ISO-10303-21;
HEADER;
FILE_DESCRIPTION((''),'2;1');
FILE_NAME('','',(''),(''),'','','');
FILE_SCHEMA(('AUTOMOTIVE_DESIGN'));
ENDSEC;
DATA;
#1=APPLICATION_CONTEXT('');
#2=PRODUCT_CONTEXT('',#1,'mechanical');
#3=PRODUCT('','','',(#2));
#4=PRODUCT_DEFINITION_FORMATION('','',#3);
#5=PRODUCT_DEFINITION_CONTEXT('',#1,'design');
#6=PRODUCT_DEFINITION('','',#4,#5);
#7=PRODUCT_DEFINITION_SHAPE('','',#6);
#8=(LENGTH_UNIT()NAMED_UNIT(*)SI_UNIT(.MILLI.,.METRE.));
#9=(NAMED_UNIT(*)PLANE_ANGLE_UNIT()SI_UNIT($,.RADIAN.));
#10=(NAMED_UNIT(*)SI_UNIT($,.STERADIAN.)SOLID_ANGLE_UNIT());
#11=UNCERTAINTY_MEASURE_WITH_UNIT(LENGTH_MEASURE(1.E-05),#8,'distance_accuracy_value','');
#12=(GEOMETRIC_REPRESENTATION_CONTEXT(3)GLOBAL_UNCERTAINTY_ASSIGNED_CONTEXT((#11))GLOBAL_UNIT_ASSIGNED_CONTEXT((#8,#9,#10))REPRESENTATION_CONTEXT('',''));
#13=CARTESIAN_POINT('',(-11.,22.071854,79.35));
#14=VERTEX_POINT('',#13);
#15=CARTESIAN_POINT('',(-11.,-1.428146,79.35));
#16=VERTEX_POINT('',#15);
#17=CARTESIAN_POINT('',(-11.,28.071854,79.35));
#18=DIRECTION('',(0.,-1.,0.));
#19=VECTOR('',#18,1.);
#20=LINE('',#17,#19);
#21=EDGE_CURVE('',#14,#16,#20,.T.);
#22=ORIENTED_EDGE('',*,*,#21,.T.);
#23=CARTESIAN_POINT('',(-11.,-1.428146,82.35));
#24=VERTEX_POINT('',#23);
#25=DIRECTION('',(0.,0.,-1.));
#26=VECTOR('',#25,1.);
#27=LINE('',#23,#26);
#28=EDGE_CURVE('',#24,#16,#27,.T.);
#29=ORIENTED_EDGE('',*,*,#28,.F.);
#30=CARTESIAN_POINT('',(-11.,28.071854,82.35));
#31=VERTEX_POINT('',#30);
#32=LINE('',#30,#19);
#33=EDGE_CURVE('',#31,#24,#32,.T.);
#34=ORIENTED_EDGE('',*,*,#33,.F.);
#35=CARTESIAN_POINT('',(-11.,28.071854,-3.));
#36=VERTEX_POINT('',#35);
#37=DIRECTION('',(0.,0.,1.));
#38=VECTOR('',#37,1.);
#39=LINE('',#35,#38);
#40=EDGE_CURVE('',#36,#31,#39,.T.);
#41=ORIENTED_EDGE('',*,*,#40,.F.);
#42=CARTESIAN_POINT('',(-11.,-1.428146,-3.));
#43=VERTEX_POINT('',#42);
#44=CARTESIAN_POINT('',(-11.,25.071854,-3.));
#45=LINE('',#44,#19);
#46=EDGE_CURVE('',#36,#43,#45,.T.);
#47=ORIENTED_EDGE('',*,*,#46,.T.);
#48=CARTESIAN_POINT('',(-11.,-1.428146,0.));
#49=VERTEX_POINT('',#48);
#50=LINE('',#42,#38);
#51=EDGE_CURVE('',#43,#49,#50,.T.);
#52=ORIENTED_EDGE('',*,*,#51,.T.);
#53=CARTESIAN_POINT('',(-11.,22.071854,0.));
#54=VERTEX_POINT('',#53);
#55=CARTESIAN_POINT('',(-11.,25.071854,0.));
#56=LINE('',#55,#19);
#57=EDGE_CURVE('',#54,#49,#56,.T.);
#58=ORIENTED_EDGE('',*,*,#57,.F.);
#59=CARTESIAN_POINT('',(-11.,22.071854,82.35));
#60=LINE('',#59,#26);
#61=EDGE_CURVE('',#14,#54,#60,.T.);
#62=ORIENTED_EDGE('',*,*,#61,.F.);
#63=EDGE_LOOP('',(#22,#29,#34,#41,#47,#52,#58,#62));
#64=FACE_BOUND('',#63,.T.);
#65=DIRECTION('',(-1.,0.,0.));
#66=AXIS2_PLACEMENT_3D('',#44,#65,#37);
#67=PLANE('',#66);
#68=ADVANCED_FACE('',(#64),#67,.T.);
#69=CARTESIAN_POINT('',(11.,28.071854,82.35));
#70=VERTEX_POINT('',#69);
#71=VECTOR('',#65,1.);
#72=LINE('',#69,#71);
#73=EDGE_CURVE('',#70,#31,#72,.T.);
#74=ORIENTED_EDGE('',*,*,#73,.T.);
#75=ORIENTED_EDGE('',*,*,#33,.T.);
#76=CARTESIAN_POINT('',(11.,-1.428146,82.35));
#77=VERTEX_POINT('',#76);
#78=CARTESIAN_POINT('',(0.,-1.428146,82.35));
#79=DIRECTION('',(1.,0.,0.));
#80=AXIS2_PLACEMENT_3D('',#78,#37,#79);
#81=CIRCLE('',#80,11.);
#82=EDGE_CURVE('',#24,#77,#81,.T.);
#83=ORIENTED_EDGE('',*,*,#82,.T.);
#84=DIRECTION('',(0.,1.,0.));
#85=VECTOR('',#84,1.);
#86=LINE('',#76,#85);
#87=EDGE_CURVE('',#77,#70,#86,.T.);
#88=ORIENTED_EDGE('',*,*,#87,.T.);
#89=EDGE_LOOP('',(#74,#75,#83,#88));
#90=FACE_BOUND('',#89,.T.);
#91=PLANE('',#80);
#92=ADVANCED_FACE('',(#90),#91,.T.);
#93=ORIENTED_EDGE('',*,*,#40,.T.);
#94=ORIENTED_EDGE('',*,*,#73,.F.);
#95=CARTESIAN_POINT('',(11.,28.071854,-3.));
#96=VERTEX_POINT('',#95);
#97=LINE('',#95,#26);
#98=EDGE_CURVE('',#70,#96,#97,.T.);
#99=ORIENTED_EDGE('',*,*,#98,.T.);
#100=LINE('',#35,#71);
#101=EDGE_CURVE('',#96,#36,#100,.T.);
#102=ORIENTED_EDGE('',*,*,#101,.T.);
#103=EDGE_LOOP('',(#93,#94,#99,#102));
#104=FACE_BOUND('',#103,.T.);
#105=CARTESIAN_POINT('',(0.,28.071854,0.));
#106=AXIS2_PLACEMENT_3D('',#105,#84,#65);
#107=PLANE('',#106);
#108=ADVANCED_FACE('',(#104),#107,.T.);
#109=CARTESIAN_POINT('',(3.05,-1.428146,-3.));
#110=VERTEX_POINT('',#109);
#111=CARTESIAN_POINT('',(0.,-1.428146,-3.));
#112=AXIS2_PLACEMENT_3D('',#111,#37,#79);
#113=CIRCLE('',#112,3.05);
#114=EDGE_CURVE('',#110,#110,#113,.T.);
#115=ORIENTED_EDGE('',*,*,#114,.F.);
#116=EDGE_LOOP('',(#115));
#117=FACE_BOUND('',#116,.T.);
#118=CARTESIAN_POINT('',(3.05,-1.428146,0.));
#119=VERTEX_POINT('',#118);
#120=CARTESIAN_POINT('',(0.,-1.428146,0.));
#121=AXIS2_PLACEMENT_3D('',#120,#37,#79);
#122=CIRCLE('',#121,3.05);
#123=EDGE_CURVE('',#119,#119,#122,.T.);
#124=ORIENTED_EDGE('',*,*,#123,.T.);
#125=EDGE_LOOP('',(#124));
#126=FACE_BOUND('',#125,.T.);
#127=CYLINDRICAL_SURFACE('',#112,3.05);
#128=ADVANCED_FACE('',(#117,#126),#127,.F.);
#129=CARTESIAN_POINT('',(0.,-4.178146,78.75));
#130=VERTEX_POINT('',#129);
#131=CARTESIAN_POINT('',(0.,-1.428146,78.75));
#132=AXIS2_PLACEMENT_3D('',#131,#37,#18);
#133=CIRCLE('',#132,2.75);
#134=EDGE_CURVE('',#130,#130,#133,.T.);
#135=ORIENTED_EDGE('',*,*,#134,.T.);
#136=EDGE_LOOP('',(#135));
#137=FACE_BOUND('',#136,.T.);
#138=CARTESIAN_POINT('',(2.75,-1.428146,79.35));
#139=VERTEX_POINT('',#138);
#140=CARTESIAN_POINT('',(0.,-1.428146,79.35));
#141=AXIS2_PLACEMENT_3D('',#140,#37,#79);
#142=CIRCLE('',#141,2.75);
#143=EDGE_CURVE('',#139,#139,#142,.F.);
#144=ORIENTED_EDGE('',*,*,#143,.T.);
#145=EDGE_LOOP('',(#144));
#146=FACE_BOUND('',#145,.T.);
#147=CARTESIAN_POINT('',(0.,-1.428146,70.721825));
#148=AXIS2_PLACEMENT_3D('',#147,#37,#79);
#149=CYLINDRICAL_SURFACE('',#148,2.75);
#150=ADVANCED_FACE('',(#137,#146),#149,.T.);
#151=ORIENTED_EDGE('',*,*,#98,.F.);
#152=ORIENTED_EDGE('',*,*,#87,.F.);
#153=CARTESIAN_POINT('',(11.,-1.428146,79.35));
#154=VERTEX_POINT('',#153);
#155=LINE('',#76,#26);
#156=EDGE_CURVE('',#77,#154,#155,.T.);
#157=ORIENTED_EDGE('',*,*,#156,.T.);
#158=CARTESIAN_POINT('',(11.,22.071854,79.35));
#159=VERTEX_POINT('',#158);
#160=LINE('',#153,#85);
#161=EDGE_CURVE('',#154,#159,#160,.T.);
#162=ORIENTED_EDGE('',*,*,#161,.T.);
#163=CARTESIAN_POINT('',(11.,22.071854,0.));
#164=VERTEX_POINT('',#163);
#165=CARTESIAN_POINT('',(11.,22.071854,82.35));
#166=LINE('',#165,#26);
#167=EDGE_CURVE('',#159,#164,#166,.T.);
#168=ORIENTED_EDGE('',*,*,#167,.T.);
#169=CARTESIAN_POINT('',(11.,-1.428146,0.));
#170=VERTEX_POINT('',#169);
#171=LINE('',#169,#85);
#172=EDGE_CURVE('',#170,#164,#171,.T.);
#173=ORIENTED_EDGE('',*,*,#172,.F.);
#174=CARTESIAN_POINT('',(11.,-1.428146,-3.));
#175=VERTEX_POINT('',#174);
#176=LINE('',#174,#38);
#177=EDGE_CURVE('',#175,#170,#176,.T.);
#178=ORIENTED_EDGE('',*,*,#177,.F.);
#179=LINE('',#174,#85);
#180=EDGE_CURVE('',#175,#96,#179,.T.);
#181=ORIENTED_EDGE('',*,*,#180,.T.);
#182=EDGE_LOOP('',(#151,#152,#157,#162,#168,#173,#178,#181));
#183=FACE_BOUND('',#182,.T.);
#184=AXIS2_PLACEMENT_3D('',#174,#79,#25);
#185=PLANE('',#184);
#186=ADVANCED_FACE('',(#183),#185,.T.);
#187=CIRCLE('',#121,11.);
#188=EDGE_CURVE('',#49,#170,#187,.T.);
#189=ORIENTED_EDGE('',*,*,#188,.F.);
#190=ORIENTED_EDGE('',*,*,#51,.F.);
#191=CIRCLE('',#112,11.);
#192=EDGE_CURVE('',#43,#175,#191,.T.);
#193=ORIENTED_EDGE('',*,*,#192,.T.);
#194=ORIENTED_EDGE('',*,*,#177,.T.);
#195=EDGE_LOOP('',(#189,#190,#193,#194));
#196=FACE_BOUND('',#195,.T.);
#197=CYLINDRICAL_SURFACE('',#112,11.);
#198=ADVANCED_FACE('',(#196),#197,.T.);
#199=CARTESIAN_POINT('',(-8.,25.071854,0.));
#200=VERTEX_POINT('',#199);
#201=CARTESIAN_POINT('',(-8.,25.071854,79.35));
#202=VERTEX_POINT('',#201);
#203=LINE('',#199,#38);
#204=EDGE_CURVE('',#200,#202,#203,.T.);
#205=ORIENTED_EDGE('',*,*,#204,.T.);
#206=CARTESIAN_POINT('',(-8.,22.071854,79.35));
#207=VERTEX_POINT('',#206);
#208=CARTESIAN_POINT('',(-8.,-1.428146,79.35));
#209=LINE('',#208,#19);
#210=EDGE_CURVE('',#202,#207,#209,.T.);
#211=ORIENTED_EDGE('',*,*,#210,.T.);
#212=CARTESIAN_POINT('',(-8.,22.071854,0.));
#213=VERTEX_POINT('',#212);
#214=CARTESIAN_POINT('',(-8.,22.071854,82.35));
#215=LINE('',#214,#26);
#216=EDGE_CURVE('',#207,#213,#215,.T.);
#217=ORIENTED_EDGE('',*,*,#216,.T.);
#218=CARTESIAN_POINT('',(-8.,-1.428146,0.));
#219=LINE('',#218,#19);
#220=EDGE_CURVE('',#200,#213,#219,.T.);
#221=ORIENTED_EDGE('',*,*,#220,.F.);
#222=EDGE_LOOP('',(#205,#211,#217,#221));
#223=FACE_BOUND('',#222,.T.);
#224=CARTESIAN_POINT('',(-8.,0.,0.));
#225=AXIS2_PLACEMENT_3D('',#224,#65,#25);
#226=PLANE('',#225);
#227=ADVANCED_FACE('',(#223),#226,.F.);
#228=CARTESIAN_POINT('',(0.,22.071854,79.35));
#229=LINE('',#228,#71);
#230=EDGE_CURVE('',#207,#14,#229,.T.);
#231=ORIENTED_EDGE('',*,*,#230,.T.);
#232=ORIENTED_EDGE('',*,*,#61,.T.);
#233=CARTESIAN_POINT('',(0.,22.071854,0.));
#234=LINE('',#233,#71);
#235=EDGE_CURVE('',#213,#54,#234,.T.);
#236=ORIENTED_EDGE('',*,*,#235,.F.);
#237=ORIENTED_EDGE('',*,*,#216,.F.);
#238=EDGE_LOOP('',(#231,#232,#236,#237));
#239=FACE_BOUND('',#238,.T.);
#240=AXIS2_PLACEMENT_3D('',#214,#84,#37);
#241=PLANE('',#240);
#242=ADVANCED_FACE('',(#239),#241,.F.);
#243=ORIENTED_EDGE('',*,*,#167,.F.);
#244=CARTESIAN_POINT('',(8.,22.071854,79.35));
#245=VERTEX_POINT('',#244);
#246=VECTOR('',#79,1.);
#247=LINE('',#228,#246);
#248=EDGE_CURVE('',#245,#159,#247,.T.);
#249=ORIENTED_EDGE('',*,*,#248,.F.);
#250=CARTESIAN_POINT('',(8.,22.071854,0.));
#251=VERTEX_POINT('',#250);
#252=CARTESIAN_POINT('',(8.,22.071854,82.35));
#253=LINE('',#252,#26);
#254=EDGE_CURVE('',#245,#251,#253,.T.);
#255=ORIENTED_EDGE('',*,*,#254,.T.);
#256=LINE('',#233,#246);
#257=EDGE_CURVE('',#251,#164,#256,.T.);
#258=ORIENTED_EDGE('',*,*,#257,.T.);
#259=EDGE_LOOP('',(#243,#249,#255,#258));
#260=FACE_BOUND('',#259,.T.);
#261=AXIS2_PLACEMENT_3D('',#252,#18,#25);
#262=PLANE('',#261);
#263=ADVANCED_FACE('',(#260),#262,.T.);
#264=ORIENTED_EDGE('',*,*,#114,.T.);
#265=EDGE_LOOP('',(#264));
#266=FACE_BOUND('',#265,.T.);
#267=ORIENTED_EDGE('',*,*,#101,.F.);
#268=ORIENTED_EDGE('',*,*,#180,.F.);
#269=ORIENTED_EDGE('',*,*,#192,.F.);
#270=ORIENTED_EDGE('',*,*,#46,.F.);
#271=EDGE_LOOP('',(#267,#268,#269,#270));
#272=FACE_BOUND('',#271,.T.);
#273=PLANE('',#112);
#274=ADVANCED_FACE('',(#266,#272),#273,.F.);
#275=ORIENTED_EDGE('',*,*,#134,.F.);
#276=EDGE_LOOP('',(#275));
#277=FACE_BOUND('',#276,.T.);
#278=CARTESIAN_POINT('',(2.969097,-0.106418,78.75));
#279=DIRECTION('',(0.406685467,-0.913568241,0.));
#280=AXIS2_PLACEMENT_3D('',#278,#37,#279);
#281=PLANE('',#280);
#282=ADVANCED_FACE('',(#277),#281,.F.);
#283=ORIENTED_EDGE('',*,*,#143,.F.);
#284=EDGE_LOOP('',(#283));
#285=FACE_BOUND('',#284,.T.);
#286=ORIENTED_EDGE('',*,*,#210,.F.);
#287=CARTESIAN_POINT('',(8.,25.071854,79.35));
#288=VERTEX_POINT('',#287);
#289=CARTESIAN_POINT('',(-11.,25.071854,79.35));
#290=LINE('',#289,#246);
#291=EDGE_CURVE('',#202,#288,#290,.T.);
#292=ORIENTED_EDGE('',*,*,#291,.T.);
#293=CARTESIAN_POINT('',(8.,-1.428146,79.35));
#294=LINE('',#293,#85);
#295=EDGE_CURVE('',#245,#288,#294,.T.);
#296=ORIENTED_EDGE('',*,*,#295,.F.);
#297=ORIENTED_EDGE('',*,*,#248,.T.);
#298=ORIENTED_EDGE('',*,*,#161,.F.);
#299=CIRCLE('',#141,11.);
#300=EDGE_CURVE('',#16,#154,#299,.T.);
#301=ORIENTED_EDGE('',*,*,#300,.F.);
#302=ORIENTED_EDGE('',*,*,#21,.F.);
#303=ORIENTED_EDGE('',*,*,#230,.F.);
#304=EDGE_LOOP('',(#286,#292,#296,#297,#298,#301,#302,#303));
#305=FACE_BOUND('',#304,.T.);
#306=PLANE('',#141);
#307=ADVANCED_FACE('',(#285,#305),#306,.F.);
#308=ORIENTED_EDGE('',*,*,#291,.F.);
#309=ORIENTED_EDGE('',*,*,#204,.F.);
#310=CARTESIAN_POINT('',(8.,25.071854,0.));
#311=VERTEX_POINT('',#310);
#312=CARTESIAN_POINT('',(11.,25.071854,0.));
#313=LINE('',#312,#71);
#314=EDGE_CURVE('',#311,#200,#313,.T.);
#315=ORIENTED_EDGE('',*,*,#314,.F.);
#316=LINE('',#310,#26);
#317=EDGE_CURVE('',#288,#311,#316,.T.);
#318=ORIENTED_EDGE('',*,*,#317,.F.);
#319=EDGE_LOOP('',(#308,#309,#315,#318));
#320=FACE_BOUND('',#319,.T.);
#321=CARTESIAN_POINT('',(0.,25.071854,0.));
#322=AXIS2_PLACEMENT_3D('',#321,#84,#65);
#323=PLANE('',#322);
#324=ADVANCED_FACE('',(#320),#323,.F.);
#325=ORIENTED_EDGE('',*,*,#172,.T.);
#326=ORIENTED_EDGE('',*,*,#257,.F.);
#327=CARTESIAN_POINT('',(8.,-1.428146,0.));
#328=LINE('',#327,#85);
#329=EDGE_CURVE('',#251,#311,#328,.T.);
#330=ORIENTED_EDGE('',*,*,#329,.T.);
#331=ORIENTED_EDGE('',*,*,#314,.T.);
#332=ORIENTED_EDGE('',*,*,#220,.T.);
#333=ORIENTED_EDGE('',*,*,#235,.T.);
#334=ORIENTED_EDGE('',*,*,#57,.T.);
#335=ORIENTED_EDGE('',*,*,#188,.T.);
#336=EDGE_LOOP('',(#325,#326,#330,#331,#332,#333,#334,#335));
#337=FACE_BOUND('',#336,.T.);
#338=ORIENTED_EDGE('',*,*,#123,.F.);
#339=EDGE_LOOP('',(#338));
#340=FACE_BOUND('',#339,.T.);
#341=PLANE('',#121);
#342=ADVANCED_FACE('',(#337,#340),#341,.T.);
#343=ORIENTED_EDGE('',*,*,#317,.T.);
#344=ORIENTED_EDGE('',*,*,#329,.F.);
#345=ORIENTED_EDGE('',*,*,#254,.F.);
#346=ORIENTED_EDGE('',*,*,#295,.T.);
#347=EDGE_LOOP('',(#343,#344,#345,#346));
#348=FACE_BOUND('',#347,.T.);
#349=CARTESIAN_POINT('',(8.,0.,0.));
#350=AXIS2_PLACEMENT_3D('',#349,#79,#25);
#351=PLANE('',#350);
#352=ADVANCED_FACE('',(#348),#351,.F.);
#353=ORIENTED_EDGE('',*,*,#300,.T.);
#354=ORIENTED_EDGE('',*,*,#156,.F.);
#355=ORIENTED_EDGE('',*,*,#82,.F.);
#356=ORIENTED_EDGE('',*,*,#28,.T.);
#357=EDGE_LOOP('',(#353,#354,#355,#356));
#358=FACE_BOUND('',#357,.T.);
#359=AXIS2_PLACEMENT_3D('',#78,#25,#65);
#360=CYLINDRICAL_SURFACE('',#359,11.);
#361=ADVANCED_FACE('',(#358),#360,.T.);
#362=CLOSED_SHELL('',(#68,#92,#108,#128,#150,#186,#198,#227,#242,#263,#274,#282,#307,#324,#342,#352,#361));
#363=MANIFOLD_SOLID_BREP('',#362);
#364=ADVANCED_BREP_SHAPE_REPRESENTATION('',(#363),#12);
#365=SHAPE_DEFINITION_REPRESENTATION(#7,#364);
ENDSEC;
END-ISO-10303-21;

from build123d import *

# Parameters (mm, degrees)
ESBO_O1_R                = 3.05
RESSALTO_EXTRUS_O1_DEPTH = 3
ESBO_O2_W                = 22
ESBO_O2_H                = 82.35
RESSALTO_EXTRUS_O2_DEPTH = 3
RESSALTO_EXTRUS_O3_START = 3
RESSALTO_EXTRUS_O3_DEPTH = 3
ESBO_O6_W                = 85.35
ESBO_O6_H                = 6
RESSALTO_EXTRUS_O5_DEPTH = 3
ESBO_O7_R                = 2.75
RESSALTO_EXTRUS_O6_DEPTH = 0.6


with BuildPart() as part:
    # Esboço1 → Ressalto-extrusão1 (new body)
    with BuildSketch(Plane.XY):
        with BuildLine():
            Line((11, -1.428145739), (11, 25.071854261))
            Line((11, 25.071854261), (-11, 25.071854261))
            Line((-11, 25.071854261), (-11, -1.428145739))
            ThreePointArc((-11, -1.428145739), (0, -12.428145739), (11, -1.428145739))
        make_face()
        with Locations((0, -1.428145739)):
            Circle(ESBO_O1_R, mode=Mode.SUBTRACT)
    extrude(amount=-RESSALTO_EXTRUS_O1_DEPTH)

    # Esboço2 → Ressalto-extrusão2 (add)
    with BuildSketch(Plane(origin=(0, 25.071854261, 0), x_dir=(1, 0, 0), z_dir=(0, 1, 0))):
        with Locations((0, -38.175)):
            Rectangle(ESBO_O2_W, ESBO_O2_H)
    extrude(amount=RESSALTO_EXTRUS_O2_DEPTH)

    # Esboço3 → Ressalto-extrusão3 (add)
    with BuildSketch(Plane.XY.offset(79.35).offset(RESSALTO_EXTRUS_O3_START)):
        with BuildLine():
            Line((11, 28.071854261), (-11, 28.071854261))
            Line((-11, 28.071854261), (-11, -1.428145739))
            ThreePointArc((-11, -1.428145739), (0, -12.428145739), (11, -1.428145739))
            Line((11, -1.428145739), (11, 28.071854261))
        make_face()
    extrude(amount=-RESSALTO_EXTRUS_O3_DEPTH)

    # Esboço6 → Ressalto-extrusão5 (add)
    with BuildSketch(Plane(origin=(11, 0, 0), x_dir=(0, 0, -1), z_dir=(1, 0, 0))):
        with Locations((-39.675, 25.071854261)):
            Rectangle(ESBO_O6_W, ESBO_O6_H)
    ressalto_extrus_o5 = extrude(amount=-RESSALTO_EXTRUS_O5_DEPTH)

    # Espelhar1: Ressalto-extrusão5 across plane
    add(ressalto_extrus_o5.mirror(Plane(origin=(0, 0, 0), x_dir=(0, 0, 1), z_dir=(1, 0, 0))))

    # Esboço7 → Ressalto-extrusão6 (add)
    with BuildSketch(Plane(origin=(0, 0, 79.35), x_dir=(-1, 0, 0), z_dir=(0, 0, -1))):
        with Locations(Location((0, -1.428145739, 0), (0, 0, 180))):
            Circle(ESBO_O7_R)
    extrude(amount=RESSALTO_EXTRUS_O6_DEPTH)


solid = part.part
